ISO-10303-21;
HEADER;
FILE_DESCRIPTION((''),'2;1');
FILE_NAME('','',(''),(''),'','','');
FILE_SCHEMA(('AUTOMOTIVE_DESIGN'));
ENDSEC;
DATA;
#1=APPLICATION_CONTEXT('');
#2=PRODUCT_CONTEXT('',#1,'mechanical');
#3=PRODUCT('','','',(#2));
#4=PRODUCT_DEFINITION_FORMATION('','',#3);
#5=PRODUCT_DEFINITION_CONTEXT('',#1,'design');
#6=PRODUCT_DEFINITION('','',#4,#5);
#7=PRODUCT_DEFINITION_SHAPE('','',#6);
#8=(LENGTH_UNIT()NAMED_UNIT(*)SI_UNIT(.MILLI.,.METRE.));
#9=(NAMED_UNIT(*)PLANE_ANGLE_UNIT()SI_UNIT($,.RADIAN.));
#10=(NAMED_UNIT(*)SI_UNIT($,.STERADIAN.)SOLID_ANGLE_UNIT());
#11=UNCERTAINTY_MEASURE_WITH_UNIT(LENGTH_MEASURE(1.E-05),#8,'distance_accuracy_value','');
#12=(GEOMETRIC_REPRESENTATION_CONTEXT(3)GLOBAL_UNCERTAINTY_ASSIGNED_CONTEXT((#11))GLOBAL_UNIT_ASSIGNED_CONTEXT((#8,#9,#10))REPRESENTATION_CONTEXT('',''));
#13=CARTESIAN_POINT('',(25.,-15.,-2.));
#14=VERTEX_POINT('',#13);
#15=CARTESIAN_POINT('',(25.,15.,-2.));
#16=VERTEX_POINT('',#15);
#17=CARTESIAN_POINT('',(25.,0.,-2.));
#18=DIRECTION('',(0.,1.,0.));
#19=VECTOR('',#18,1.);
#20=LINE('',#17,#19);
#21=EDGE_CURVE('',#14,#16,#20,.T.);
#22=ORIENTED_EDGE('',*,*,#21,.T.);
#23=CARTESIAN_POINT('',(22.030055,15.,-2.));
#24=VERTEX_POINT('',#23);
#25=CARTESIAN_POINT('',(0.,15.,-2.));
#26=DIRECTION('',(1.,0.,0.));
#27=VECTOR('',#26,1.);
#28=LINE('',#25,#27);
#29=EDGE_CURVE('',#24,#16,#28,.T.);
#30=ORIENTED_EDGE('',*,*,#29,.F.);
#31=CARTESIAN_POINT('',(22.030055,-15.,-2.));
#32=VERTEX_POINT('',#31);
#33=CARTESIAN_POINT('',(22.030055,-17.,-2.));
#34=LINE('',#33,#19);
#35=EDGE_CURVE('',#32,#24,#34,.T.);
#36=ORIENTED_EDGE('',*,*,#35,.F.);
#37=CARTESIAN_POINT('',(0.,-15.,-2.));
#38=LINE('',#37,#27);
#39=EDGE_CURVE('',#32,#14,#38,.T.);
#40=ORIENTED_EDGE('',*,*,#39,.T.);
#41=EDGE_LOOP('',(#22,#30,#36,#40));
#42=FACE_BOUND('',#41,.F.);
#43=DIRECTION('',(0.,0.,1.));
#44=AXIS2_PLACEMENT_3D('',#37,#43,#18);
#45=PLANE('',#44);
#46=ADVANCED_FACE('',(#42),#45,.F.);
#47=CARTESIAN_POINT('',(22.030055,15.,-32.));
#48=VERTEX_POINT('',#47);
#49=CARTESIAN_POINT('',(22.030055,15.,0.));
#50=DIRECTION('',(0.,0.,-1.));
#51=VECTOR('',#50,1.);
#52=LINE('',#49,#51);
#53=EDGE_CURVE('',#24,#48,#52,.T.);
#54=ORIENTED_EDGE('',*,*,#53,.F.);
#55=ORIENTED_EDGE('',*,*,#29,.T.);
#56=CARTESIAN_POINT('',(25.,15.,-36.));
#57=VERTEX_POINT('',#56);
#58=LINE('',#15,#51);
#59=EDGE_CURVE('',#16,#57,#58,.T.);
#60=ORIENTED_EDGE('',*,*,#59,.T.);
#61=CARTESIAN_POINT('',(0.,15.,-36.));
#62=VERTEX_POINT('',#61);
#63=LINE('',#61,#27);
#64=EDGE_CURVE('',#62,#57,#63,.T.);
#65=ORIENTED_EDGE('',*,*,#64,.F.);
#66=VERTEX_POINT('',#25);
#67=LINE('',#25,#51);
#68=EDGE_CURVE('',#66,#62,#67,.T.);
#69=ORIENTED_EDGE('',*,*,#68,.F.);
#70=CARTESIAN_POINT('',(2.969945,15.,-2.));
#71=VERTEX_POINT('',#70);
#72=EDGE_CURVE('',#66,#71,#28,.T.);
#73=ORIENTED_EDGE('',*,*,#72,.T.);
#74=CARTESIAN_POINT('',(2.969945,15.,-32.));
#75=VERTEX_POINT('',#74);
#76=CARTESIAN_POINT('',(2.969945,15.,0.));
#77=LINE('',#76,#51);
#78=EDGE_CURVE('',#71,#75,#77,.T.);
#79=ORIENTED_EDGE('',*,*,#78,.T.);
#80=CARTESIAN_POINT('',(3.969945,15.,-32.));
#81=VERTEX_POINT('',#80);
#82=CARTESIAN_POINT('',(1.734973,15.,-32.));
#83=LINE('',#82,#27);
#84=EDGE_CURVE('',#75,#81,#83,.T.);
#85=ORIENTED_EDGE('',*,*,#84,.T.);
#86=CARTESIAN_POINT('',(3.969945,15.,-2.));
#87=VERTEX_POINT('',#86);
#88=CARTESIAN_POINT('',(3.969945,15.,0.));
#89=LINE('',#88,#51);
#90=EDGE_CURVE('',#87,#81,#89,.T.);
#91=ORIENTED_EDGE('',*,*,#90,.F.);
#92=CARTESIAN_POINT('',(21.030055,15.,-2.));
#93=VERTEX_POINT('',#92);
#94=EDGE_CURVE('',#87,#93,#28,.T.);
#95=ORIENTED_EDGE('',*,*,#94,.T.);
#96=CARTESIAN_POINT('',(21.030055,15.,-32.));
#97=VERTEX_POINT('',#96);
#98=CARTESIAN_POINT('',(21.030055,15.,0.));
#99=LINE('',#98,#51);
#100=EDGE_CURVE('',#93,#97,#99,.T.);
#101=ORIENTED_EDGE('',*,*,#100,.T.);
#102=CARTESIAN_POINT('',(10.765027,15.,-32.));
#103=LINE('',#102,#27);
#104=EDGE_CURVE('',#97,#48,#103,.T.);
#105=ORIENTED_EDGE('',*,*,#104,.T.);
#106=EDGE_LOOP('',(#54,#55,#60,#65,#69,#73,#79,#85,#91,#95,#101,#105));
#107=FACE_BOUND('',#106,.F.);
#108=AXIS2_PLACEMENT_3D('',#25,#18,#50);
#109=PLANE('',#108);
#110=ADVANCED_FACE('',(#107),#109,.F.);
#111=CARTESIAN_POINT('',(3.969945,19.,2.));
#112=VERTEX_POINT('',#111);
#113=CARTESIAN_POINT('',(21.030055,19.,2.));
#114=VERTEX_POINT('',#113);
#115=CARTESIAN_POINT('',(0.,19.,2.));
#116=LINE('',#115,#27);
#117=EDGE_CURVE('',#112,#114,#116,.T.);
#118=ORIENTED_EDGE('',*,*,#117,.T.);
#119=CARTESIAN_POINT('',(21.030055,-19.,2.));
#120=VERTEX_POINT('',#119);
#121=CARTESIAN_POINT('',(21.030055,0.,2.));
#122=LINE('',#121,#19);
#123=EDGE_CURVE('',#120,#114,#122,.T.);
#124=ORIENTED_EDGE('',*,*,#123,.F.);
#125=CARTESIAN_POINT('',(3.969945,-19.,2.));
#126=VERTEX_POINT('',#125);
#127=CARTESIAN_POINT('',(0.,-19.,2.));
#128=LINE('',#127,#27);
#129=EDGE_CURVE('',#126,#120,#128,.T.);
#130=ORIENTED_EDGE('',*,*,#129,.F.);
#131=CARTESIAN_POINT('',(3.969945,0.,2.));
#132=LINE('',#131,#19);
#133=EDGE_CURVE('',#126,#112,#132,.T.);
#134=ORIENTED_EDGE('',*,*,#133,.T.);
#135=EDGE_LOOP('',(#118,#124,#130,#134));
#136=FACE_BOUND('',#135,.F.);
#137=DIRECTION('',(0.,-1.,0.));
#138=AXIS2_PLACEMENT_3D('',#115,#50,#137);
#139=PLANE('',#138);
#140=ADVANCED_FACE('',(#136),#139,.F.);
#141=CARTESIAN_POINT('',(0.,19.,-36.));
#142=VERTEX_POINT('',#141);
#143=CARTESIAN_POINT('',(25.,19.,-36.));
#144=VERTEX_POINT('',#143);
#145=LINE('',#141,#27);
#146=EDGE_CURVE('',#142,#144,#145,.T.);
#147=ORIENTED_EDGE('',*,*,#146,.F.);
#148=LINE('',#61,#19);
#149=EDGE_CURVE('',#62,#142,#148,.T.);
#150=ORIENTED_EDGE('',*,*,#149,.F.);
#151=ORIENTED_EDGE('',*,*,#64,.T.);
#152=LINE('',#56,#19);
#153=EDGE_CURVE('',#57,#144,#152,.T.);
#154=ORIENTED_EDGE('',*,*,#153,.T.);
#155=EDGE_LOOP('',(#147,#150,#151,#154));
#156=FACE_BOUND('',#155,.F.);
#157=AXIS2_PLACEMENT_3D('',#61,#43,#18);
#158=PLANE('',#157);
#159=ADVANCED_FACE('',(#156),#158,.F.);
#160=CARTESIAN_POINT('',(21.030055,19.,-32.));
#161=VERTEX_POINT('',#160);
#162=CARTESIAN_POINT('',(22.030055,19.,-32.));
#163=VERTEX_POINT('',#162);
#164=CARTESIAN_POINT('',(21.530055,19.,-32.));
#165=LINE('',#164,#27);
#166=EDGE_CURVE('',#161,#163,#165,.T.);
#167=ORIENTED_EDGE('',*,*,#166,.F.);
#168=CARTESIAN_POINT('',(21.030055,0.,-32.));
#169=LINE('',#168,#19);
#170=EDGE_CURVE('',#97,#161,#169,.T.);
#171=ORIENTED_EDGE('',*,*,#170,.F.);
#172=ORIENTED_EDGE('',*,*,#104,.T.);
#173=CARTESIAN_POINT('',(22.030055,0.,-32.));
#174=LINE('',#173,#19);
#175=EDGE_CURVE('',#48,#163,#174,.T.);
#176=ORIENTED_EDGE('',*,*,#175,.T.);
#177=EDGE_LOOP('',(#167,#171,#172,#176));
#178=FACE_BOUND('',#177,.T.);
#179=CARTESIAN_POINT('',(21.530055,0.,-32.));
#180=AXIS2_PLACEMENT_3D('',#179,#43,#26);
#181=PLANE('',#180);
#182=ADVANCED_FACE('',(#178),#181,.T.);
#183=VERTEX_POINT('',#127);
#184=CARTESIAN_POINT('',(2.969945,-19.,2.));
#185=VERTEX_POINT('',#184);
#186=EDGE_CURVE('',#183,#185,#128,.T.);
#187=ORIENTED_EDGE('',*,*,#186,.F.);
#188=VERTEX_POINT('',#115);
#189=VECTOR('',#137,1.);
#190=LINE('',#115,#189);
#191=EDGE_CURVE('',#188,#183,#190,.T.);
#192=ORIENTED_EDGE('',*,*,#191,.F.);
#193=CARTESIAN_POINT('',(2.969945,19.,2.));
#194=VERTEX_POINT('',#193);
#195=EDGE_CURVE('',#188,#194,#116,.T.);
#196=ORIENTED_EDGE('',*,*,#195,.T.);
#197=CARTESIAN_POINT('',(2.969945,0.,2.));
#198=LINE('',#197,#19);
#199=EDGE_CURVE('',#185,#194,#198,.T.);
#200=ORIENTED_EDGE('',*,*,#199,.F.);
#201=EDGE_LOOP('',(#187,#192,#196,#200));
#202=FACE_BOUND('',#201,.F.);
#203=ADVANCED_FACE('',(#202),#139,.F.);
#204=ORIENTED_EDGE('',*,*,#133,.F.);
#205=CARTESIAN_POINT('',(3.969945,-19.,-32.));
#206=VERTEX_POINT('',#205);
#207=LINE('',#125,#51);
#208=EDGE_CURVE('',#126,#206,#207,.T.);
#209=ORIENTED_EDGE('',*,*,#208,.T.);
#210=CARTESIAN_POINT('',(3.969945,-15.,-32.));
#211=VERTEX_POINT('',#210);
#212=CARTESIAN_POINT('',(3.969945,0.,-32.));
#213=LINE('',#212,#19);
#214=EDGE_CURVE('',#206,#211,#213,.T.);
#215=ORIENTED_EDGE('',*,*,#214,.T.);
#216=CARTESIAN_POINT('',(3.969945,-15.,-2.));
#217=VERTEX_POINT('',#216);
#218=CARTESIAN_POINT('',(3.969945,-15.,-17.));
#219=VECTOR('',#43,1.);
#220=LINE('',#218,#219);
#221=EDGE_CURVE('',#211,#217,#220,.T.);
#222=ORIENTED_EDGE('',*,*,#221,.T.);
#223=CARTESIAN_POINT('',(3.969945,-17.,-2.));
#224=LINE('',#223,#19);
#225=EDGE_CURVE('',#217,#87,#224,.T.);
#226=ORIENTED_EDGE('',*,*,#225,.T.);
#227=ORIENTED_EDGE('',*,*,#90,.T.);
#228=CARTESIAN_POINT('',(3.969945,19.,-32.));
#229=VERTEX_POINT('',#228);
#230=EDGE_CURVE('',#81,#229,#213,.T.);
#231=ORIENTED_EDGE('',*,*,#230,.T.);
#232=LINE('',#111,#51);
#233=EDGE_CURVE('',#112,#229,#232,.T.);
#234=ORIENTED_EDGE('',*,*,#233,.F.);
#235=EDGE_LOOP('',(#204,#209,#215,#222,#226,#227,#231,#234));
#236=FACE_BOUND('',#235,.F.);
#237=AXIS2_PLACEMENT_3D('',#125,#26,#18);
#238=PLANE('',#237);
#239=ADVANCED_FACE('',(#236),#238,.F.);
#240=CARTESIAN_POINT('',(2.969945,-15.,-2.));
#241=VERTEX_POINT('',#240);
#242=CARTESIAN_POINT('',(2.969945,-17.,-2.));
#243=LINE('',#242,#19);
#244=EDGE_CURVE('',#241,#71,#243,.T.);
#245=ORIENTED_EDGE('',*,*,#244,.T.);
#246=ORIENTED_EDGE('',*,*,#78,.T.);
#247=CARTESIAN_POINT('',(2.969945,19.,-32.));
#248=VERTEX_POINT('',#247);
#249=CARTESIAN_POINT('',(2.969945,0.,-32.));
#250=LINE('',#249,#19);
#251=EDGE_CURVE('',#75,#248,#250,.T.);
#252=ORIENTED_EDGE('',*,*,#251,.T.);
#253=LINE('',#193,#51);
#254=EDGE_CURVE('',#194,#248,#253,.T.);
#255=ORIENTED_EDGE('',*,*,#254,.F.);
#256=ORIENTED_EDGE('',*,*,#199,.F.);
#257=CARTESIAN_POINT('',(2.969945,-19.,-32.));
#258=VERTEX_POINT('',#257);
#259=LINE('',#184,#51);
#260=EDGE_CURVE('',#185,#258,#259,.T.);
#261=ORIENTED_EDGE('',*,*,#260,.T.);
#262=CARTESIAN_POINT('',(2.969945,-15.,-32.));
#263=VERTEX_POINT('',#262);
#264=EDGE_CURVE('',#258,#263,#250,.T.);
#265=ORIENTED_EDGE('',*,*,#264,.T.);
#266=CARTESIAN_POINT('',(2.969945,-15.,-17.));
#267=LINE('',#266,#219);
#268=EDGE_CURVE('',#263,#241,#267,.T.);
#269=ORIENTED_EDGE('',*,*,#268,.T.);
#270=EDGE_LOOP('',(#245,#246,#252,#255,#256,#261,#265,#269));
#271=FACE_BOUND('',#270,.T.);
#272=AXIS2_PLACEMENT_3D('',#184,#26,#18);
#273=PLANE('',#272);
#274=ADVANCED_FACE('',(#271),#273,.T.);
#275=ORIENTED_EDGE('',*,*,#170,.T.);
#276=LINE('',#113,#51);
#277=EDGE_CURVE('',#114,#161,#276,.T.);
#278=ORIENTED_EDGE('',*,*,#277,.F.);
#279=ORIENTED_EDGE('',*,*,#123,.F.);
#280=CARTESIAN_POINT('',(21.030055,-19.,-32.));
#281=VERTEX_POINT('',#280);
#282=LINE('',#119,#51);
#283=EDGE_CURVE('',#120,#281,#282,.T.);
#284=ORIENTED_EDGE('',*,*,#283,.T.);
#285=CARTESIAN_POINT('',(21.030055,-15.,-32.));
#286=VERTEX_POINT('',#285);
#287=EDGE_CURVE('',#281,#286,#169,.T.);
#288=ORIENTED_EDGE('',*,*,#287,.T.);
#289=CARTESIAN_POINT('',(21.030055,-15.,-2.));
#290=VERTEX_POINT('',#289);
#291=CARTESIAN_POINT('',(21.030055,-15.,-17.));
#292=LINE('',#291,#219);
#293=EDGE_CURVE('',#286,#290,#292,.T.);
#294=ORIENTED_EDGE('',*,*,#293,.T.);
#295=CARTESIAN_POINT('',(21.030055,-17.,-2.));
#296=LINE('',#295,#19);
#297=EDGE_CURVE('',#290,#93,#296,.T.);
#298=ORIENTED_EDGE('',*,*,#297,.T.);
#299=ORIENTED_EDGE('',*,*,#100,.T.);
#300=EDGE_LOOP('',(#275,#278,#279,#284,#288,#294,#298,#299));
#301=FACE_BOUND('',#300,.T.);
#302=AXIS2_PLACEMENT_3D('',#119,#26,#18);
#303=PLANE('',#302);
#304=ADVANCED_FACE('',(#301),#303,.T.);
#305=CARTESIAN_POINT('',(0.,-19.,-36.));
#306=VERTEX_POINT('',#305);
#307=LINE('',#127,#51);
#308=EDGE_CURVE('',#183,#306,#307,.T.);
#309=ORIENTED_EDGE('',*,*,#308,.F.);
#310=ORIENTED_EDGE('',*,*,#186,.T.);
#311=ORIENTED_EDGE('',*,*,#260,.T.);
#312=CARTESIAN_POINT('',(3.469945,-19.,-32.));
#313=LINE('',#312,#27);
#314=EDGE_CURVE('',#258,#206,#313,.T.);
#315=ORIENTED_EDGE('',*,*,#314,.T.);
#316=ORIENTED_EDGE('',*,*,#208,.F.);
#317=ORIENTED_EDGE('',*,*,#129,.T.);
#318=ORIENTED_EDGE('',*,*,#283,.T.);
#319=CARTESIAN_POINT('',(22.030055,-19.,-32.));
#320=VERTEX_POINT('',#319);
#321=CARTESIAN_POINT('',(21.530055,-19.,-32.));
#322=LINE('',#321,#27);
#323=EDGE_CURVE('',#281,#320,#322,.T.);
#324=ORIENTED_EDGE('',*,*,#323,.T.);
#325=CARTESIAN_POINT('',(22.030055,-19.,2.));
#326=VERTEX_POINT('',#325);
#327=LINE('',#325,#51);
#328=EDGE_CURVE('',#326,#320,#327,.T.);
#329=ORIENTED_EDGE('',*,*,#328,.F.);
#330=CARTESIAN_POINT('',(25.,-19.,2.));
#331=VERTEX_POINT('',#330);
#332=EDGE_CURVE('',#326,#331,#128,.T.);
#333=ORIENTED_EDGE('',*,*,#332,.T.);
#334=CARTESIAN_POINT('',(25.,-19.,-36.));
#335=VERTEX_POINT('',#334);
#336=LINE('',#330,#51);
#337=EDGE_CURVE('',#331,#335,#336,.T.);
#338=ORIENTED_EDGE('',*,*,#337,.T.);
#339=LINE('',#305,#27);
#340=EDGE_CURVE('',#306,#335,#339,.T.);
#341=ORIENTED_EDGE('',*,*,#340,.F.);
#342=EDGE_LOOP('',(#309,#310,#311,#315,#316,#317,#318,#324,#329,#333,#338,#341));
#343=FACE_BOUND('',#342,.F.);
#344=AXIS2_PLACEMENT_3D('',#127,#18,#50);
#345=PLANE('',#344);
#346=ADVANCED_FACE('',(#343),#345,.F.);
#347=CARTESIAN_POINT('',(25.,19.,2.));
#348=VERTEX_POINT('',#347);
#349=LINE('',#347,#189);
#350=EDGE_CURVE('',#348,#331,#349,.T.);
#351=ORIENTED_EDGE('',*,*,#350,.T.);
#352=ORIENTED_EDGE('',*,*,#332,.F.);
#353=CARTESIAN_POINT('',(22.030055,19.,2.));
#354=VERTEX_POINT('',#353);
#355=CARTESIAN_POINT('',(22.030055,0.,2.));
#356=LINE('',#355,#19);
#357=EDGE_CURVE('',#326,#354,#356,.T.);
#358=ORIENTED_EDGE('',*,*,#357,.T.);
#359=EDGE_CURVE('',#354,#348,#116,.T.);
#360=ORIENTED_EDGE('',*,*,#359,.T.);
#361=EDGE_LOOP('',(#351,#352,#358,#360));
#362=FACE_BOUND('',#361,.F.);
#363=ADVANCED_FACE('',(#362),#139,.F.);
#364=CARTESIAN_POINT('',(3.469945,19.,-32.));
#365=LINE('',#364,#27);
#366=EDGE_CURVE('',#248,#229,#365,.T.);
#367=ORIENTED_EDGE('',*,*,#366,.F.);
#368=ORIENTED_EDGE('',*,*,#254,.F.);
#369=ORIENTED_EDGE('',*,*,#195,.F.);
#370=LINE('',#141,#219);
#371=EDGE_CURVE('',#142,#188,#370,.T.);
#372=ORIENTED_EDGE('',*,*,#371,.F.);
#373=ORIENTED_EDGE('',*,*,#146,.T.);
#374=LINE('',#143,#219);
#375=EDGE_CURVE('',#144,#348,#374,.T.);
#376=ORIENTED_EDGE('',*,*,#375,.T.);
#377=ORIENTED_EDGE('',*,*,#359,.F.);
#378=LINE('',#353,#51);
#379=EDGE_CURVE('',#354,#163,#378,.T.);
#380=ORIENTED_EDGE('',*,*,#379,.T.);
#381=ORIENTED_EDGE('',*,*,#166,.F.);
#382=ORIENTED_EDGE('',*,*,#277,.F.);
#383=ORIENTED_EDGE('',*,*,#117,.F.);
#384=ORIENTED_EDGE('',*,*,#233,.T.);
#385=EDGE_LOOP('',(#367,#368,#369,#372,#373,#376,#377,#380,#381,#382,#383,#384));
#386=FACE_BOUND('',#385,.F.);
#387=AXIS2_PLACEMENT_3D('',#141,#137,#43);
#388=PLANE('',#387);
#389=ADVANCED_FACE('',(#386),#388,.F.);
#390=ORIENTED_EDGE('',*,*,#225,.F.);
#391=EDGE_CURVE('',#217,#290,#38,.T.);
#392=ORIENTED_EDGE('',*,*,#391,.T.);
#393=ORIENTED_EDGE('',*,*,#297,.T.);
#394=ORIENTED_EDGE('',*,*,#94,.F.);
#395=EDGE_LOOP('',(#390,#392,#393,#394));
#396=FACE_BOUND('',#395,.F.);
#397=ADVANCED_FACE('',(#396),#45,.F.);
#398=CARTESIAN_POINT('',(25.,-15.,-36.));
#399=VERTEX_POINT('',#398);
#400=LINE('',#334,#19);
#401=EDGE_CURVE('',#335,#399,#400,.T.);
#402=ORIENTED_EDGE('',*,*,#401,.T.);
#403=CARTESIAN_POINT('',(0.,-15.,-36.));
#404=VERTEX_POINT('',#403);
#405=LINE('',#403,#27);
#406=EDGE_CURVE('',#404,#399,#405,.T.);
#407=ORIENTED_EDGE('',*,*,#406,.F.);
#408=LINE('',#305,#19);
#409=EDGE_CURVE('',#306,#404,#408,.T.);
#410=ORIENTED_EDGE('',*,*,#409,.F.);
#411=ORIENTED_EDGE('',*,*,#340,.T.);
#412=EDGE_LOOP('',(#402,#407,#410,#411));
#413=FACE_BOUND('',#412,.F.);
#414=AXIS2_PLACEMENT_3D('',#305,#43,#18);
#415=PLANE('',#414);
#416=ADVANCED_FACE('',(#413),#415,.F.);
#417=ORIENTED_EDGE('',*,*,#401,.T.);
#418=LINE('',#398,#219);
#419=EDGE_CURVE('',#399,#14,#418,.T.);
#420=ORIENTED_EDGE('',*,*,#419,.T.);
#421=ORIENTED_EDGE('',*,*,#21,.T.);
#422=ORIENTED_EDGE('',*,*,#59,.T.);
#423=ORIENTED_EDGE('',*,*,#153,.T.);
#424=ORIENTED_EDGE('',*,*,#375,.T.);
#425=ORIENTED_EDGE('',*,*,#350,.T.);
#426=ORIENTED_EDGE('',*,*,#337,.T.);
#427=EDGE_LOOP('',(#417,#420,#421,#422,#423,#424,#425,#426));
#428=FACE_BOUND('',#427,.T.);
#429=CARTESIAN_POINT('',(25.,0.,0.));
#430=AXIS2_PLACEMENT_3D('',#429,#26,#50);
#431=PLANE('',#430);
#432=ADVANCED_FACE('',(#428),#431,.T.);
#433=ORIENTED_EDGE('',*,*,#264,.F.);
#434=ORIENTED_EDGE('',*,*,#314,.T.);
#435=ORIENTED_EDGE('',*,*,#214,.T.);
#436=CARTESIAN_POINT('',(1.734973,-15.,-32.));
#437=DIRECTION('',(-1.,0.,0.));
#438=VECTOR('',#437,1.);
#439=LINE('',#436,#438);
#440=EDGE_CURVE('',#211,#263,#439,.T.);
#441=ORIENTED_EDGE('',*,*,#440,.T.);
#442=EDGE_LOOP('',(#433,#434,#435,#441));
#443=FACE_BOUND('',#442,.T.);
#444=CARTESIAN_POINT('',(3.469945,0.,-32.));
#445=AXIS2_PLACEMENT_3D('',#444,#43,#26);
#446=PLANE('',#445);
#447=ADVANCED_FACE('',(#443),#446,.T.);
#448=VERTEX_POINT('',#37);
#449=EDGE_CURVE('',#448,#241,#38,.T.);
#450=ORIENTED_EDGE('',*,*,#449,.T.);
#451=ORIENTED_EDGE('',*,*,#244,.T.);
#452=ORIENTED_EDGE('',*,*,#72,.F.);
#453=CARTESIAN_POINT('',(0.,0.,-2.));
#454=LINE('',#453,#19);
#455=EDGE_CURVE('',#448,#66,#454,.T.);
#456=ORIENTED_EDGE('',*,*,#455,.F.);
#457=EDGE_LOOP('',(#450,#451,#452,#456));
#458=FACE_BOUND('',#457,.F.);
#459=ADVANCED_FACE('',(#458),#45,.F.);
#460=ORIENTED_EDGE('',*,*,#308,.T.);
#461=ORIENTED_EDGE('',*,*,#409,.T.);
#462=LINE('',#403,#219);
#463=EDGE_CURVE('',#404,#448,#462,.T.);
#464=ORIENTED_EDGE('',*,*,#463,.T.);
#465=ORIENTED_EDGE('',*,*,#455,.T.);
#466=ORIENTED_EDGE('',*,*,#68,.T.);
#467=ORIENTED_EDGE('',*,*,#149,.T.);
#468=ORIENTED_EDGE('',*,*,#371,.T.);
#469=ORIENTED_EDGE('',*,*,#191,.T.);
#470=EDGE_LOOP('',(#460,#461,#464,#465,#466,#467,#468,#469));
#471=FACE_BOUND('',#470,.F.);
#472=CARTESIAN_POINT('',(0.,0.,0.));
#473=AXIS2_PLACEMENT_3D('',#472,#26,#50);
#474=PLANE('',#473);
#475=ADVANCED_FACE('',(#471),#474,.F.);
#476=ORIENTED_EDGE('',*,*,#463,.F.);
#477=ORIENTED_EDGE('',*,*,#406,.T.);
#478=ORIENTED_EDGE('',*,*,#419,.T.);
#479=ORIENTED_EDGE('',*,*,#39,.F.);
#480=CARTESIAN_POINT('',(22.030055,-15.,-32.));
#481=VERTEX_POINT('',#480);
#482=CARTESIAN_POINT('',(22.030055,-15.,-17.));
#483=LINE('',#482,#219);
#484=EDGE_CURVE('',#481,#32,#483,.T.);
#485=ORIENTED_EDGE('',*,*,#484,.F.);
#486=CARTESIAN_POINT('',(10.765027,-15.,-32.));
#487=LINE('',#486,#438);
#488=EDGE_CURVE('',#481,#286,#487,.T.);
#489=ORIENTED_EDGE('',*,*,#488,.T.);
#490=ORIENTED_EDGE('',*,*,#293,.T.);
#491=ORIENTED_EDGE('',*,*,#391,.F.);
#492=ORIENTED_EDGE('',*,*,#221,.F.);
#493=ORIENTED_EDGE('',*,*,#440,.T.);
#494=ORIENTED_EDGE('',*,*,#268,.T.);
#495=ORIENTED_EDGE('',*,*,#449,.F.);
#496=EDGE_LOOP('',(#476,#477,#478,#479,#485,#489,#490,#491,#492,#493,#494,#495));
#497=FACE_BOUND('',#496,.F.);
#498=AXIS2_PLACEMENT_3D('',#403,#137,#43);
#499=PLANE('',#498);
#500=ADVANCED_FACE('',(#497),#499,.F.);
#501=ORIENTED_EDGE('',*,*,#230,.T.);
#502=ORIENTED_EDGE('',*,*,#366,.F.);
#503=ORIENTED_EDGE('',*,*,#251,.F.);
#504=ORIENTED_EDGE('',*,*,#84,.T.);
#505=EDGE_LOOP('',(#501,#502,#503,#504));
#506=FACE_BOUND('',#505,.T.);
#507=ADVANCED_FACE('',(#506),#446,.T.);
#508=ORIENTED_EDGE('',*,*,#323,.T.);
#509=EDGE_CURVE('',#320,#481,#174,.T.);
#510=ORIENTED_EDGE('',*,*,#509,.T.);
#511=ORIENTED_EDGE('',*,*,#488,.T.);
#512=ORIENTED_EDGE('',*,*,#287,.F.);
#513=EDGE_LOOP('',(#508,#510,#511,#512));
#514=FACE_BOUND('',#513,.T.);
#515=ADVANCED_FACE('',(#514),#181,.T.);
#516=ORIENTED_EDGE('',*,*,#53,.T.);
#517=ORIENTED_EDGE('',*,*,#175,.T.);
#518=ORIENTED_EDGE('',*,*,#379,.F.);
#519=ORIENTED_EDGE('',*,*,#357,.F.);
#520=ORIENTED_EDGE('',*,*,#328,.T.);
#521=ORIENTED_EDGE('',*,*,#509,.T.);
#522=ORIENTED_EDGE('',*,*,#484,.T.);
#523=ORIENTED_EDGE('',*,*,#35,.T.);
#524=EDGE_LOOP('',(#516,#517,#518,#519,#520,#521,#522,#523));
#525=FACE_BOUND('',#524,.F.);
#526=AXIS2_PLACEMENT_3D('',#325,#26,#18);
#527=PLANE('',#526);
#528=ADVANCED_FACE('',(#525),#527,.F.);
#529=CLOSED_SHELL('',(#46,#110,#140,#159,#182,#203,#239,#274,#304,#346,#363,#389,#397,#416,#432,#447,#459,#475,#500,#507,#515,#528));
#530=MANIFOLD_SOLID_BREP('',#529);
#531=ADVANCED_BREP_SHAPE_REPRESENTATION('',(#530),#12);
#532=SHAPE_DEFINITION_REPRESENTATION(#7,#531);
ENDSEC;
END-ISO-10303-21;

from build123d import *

# Parameters (mm, degrees)
SKETCH2_W           = 4
SKETCH2_H           = 30
BOSS_EXTRUDE1_DEPTH = 25
SKETCH3_W           = 1
SKETCH3_H           = 38
CUT_EXTRUDE1_DEPTH  = 34


with BuildPart() as part:
    # Sketch2 → Boss-Extrude1 (new body)
    with BuildSketch(Plane(origin=(0, 0, 0), x_dir=(0, 0, -1), z_dir=(1, 0, 0))):
        Rectangle(SKETCH2_W, SKETCH2_H)
        Polygon((-2, 19), (-2, 15), (2, 15), (36, 15), (36, 19), align=None)
        Polygon((2, -15), (-2, -15), (-2, -19), (36, -19), (36, -15), align=None)
    extrude(amount=BOSS_EXTRUDE1_DEPTH)

    # Sketch3 → Cut-Extrude1 (cut)
    with BuildSketch(Plane.XY.offset(2)):
        with Locations((3.469945018, 0)):
            Rectangle(SKETCH3_W, SKETCH3_H)
        with Locations((21.530054982, 0)):
            Rectangle(SKETCH3_W, SKETCH3_H)
    extrude(amount=-CUT_EXTRUDE1_DEPTH, mode=Mode.SUBTRACT)


solid = part.part
